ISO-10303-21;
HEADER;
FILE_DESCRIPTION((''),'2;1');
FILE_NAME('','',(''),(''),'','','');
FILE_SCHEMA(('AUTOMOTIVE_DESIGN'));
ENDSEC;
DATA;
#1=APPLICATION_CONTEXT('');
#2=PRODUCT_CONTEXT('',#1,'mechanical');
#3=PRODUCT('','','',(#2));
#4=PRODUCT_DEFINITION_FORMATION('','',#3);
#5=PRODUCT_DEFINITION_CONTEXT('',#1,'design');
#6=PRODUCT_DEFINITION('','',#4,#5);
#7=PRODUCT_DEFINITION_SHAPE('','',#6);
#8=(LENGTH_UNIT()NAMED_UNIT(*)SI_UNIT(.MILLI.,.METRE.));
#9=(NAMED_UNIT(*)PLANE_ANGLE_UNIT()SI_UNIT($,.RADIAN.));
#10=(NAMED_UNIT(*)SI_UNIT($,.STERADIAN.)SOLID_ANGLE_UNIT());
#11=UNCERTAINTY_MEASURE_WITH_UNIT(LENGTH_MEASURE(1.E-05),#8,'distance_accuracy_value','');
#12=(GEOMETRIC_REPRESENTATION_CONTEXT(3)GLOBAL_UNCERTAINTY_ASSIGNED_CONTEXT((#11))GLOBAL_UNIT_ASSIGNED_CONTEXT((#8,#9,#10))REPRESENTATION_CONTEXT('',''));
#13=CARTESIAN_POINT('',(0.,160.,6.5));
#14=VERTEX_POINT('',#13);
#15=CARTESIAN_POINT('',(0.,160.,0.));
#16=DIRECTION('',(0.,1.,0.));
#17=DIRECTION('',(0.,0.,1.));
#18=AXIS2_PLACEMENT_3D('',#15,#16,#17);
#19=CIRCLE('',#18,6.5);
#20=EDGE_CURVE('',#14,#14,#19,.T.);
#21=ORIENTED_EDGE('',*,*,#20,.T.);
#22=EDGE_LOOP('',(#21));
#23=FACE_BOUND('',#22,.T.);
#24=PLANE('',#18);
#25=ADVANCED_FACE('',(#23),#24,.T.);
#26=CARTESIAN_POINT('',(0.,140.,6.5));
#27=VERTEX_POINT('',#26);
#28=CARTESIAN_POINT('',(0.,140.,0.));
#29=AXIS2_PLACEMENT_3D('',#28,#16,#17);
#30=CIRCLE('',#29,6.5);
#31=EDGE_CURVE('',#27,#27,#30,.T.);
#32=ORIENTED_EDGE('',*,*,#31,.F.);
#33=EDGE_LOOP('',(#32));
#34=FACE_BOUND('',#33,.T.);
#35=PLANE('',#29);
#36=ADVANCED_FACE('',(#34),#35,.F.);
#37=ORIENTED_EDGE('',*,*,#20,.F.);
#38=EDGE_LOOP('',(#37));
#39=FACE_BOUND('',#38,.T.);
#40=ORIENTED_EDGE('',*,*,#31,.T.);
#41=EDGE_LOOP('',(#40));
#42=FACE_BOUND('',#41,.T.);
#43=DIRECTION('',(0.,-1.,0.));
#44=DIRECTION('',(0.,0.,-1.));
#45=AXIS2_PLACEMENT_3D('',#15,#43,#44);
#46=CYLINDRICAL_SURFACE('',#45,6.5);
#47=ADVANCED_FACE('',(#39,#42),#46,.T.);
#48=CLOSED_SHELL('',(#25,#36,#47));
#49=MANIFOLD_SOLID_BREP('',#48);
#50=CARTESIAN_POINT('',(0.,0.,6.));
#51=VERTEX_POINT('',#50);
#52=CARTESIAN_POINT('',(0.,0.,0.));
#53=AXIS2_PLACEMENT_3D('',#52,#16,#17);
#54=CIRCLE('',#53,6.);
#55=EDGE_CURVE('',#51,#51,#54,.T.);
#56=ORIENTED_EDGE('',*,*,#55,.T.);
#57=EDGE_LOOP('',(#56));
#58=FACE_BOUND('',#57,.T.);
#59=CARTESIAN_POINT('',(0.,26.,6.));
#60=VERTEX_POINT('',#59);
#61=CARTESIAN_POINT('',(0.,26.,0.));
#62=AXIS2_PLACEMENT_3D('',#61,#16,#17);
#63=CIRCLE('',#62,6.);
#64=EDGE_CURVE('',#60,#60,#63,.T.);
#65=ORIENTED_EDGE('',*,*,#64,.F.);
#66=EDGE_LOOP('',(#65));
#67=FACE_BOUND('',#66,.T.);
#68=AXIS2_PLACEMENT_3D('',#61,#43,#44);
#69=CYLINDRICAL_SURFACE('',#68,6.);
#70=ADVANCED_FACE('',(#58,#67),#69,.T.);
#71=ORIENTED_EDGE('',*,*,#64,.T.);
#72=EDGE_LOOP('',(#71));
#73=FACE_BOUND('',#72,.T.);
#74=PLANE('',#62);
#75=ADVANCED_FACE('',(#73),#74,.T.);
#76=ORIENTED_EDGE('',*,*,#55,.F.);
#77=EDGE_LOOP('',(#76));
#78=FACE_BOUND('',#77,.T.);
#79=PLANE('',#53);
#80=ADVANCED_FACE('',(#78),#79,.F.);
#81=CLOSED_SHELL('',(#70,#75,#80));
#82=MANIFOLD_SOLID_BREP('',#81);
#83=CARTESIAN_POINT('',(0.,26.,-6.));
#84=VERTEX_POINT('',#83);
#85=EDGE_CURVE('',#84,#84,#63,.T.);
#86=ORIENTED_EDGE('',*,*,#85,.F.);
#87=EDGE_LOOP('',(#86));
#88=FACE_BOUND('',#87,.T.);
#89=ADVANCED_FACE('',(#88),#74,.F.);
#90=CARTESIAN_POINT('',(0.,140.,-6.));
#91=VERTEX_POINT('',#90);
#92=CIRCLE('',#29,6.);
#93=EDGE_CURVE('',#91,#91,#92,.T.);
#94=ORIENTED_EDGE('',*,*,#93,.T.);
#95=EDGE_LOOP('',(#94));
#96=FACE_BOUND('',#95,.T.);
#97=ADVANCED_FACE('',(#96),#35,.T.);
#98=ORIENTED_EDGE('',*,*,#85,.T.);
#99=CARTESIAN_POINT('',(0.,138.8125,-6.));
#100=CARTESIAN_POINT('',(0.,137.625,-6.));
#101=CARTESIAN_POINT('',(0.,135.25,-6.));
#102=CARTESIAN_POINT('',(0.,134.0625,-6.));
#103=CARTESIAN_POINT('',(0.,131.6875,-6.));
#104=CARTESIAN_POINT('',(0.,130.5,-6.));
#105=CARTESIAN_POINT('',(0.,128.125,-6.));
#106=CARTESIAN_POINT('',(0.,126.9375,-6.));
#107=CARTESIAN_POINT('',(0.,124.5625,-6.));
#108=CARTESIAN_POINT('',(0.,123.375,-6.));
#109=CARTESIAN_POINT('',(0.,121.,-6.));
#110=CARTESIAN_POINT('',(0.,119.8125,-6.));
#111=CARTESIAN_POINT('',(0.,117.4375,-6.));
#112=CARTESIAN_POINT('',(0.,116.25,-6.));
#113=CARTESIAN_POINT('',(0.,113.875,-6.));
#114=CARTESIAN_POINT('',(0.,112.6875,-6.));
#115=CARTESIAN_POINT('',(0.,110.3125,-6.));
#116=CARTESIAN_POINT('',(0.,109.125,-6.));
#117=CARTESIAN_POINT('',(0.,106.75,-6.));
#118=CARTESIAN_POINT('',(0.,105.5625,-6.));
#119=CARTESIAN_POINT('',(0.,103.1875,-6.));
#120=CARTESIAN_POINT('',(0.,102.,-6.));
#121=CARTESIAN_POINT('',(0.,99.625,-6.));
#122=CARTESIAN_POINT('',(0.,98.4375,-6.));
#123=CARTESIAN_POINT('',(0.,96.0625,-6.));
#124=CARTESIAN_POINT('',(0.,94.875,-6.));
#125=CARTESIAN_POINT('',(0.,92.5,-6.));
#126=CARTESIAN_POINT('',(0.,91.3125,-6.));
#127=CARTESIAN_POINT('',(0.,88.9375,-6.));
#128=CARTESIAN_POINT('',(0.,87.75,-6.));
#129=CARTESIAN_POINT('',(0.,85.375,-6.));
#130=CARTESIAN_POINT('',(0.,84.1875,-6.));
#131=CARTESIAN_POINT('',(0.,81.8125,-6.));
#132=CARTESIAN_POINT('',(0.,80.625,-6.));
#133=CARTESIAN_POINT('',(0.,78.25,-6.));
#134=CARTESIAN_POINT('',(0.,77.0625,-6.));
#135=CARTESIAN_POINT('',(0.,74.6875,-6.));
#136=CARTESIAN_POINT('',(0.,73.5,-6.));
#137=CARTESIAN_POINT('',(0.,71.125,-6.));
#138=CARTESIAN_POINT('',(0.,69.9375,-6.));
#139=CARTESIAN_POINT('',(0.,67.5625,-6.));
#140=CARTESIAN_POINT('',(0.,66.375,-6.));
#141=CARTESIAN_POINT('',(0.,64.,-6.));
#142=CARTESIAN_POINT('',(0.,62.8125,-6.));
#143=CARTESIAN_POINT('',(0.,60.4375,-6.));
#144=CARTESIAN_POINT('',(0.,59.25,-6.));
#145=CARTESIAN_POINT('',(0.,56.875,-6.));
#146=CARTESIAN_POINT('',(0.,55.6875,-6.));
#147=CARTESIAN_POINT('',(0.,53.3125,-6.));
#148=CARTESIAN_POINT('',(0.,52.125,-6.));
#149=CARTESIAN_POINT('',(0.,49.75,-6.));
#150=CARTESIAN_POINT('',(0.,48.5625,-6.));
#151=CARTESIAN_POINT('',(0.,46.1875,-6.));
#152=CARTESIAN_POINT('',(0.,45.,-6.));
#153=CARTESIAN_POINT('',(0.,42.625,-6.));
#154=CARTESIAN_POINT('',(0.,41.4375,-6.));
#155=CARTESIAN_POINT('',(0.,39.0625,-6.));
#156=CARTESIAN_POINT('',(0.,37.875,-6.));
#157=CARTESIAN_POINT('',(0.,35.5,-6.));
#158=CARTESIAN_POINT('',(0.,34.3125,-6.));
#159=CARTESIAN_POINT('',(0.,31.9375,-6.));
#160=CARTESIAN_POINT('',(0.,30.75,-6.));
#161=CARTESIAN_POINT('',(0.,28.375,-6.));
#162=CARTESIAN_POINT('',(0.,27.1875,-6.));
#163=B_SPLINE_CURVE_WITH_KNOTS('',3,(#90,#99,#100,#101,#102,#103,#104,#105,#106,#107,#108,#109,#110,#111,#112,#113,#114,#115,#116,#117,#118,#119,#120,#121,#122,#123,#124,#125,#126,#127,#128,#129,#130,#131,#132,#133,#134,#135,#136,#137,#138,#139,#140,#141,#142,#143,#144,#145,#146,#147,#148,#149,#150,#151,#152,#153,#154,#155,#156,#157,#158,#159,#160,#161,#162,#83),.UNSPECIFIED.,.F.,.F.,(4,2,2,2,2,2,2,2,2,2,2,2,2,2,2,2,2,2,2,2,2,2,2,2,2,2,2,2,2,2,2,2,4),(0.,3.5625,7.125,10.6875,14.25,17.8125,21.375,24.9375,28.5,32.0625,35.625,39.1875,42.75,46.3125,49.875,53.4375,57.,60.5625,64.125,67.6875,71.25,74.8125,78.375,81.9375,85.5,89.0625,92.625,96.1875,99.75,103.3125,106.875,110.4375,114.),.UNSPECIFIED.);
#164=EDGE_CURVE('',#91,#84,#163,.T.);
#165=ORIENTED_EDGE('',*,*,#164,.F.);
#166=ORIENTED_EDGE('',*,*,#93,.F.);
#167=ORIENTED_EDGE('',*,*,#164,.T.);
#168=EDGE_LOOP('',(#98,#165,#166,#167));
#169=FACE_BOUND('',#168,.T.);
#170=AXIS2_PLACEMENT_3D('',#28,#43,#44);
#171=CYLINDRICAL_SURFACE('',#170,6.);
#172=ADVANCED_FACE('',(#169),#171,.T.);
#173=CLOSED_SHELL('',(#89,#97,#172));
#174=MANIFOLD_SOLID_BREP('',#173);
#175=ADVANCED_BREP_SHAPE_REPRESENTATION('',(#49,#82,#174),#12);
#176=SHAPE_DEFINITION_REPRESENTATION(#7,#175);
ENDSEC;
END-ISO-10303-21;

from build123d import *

# Parameters (mm, degrees)
SK_BULB_GUARD_R      = 6
BULB_GUARD_DEPTH     = 26
ELECTRODE_START      = 26
SK_ELECTRODE_BODY_R  = 6
ELECTRODE_BODY_DEPTH = 114
ELECTRODE_START_2    = 140
SK_ELECTRODE_CAP_R   = 6.5
ELECTRODE_CAP_DEPTH  = 20


with BuildPart() as part:
    # SK Bulb guard → Bulb guard (new body)
    with BuildSketch(Plane(origin=(0, 0, 0), x_dir=(1, 0, 0), z_dir=(0, 1, 0))):
        Circle(SK_BULB_GUARD_R)
    extrude(amount=BULB_GUARD_DEPTH)


with BuildPart() as body_2:
    # SK Electrode body → Electrode body (new body)
    with BuildSketch(Plane(origin=(0, 0, 0), x_dir=(1, 0, 0), z_dir=(0, 1, 0)).offset(ELECTRODE_START)):
        Circle(SK_ELECTRODE_BODY_R)
    extrude(amount=ELECTRODE_BODY_DEPTH)


with BuildPart() as body_3:
    # SK Electrode cap → Electrode cap (new body)
    with BuildSketch(Plane(origin=(0, 0, 0), x_dir=(1, 0, 0), z_dir=(0, 1, 0)).offset(ELECTRODE_START_2)):
        Circle(SK_ELECTRODE_CAP_R)
    extrude(amount=ELECTRODE_CAP_DEPTH)


solid = Compound([part.part, body_2.part, body_3.part])
